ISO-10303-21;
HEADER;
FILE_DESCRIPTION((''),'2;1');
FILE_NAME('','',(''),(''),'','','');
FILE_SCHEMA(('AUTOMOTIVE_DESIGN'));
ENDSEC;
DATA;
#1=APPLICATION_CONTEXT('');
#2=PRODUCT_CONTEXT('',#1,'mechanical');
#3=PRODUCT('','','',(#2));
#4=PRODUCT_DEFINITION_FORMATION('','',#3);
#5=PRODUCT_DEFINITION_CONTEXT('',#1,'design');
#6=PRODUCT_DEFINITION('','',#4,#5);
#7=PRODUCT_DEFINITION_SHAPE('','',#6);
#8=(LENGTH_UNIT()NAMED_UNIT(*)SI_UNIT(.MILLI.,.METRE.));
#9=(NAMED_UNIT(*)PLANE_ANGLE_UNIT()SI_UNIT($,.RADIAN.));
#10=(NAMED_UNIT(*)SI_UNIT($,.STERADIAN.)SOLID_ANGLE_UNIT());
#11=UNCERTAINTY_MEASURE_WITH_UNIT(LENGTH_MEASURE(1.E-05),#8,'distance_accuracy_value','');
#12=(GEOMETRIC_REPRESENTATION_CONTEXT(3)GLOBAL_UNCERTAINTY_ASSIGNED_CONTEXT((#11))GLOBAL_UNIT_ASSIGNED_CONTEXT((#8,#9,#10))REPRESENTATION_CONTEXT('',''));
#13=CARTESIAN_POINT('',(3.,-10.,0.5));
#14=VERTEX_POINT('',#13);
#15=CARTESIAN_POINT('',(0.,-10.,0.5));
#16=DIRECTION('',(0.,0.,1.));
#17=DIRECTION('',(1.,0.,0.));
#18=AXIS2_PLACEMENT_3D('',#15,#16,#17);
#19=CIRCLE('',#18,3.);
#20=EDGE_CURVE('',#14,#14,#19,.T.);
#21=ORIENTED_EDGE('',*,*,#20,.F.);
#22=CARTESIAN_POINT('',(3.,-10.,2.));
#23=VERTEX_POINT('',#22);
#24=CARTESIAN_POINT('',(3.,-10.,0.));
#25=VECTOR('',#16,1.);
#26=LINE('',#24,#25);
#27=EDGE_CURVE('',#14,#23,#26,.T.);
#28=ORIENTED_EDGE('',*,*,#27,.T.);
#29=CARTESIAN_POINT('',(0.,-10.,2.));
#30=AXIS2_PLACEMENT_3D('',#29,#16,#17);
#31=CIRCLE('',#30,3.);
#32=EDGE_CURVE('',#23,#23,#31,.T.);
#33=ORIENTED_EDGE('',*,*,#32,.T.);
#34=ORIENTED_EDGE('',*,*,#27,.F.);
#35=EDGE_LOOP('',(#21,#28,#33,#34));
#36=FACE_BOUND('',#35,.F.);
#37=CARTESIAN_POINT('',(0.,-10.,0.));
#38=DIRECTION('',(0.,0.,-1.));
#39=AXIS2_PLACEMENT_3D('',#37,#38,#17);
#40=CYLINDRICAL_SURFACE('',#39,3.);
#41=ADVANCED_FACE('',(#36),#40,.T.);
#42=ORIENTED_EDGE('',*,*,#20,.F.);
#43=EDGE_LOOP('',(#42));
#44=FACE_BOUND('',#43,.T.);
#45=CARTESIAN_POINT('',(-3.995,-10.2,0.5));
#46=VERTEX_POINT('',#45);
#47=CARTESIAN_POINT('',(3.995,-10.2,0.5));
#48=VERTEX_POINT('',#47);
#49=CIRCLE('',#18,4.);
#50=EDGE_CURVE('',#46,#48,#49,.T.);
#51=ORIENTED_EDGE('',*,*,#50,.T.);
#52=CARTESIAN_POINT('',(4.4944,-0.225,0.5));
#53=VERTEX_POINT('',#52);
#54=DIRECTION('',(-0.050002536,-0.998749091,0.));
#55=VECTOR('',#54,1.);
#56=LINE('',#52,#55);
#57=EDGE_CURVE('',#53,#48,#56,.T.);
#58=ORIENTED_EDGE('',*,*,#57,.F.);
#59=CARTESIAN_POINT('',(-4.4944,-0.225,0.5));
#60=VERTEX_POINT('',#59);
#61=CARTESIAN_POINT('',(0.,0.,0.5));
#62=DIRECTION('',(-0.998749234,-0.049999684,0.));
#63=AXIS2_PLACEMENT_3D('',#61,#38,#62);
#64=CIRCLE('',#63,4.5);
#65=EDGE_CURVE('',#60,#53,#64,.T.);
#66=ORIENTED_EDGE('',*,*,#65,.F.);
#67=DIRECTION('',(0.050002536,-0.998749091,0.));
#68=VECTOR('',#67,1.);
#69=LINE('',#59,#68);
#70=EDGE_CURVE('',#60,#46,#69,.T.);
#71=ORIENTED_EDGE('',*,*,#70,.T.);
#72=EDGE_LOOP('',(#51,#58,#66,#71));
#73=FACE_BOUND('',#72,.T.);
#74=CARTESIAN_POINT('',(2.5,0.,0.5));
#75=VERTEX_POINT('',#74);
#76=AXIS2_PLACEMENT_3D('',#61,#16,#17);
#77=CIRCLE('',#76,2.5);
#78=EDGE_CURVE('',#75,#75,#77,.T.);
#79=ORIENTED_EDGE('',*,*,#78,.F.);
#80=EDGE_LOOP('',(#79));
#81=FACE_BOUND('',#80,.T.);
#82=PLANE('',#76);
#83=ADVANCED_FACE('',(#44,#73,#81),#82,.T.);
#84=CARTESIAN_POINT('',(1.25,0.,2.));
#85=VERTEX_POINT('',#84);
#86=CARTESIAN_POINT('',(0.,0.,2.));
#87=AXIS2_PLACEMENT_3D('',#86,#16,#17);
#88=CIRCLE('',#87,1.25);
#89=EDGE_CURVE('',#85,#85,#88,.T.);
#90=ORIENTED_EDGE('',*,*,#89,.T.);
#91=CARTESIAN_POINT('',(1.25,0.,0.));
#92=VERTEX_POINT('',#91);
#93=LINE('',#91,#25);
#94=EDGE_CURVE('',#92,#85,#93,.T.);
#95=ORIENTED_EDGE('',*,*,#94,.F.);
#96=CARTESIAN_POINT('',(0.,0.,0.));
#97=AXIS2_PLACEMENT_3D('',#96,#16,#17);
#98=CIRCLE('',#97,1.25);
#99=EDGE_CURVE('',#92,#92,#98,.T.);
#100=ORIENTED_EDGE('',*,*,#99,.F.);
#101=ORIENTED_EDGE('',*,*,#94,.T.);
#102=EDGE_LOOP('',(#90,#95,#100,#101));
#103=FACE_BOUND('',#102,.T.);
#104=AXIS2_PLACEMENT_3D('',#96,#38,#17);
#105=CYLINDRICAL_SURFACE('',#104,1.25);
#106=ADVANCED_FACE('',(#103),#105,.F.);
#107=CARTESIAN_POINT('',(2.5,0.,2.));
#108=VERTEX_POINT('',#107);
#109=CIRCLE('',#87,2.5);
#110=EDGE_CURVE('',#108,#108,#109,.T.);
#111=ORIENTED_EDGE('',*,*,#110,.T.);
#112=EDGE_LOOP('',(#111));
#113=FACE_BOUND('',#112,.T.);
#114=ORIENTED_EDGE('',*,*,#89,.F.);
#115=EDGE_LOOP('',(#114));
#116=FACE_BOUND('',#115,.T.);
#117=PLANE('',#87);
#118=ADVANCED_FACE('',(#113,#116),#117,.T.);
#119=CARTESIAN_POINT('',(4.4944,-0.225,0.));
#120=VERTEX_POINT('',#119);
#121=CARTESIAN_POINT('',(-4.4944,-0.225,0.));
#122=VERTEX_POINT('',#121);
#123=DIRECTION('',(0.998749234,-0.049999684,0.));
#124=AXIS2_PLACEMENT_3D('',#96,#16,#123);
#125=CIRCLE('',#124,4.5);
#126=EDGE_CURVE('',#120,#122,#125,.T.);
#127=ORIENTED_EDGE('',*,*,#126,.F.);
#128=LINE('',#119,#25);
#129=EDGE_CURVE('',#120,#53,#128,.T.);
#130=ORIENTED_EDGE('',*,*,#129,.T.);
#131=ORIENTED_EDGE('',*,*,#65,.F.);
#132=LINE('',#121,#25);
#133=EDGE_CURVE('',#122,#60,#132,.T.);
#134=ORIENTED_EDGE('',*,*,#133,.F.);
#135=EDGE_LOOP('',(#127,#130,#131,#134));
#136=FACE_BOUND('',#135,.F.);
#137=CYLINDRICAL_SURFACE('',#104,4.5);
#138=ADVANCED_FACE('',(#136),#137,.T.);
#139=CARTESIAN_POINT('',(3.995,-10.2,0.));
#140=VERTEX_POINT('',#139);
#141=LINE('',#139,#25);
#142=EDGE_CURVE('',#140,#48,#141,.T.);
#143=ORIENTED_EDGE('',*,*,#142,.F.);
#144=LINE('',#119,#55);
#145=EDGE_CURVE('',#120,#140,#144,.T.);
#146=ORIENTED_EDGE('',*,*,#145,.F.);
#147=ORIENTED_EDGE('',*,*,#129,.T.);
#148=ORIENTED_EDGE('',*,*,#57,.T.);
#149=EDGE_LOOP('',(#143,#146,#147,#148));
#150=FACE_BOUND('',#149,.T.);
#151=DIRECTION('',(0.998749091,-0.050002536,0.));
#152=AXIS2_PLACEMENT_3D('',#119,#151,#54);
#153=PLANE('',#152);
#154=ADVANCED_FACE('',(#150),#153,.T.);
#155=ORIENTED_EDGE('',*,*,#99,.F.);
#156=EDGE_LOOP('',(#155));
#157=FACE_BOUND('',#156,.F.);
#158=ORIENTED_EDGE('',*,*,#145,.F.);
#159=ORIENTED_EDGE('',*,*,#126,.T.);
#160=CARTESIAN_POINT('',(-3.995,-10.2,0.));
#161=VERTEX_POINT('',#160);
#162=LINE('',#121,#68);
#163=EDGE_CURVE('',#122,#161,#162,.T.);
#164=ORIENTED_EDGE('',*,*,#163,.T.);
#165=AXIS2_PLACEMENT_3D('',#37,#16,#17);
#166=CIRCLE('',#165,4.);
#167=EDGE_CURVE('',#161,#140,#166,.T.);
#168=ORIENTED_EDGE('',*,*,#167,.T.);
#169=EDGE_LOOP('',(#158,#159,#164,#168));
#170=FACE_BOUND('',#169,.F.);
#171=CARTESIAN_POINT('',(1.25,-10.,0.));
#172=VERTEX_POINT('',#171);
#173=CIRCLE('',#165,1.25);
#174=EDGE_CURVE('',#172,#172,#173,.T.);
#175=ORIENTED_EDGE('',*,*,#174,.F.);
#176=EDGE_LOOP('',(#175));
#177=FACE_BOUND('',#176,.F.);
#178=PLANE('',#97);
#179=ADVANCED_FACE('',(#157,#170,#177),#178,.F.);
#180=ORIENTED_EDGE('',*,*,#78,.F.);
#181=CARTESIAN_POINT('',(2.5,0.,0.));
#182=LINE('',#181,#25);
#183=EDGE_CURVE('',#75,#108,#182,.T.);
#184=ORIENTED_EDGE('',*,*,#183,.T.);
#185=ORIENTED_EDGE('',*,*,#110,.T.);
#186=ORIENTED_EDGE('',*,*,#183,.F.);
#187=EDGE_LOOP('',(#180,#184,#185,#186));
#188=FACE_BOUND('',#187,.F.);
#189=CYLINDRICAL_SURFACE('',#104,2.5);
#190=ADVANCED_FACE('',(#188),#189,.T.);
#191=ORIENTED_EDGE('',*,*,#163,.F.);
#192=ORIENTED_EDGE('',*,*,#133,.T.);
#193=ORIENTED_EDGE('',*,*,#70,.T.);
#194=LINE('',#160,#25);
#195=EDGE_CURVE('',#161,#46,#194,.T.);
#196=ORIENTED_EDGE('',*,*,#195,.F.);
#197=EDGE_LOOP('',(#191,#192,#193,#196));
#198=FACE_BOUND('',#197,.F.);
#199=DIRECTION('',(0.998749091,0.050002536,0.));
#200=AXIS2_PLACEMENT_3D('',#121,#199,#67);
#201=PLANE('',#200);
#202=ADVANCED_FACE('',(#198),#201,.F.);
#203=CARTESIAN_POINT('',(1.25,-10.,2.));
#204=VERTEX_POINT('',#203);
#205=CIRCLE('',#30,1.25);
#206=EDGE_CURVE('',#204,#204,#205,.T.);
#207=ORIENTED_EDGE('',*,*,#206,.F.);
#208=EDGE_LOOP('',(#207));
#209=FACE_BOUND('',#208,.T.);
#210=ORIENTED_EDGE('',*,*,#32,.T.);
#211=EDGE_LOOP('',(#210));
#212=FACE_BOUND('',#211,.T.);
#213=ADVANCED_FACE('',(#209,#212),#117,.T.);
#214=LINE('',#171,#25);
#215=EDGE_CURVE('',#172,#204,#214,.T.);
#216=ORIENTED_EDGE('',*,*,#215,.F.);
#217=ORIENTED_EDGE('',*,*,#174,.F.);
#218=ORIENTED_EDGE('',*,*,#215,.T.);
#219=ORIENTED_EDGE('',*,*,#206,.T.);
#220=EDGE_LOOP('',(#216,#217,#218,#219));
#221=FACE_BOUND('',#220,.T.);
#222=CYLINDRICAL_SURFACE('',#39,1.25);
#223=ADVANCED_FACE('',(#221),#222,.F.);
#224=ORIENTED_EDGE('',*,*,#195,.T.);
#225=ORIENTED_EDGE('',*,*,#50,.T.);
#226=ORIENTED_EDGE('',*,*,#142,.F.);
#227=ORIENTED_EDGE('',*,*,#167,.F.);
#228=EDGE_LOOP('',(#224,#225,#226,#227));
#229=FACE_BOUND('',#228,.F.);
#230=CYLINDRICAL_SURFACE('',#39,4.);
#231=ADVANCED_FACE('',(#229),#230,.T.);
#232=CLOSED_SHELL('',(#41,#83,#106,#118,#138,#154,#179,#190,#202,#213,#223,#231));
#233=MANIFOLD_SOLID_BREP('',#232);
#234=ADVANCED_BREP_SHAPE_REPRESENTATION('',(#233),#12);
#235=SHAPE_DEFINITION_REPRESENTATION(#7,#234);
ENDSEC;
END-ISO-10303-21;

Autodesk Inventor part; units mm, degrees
ref_plane "YZ Plane" through (0, 0, 0) normal (1, 0, 0) x (0, 1, 0)
ref_plane "XZ Plane" through (0, 0, 0) normal (0, 1, 0) x (-1, 0, 0)
ref_plane "XY Plane" through (0, 0, 0) normal (0, 0, 1) x (1, 0, 0)
sketch "Sketch1" plane through (0, 0, 0) normal (0, 0, 1) x (1, 0, 0)
  circle A0 centre (0, 0) radius 2.5
  circle A1 centre (0, 0) radius 4.5
  circle A2 centre (0, -10) radius 1.25
  circle A3 centre (0, -10) radius 3
  circle A4 centre (0, -10) radius 4
  circle A5 centre (0, 0) radius 1.25
  line L0 (-4.4944, -0.225) -> (-3.995, -10.2)
  line L1 (4.4944, -0.225) -> (3.995, -10.2)
  line L2 (0, 0) -> (0, -19.0302) construction
  point P0 (66.1895, -52.0583)
  point P1 (148.6808, -39.1685)
  point P2 (99.1548, -7.9801)
  point P3 (101.772, -8.3287)
  point P4 (96.5376, -8.3287)
  dimension "d8" = 9
  dimension "d13" = 5
  dimension "d25" = 2.5
  dimension "d26" = 6
  dimension "d27" = 8
  dimension "d28" = 2.5
  dimension "d29" = 10
extrude "Extrusion1" add sketch "Sketch1" along normal blind 0.5 contours A1 | A1 L1 A4 L0 | A4
extrude "Extrusion2" add sketch "Sketch1" along normal blind 2 contours A0 | A3
properties part number "ヘッケン抑え" material "アルミニウム 2014-T6"
